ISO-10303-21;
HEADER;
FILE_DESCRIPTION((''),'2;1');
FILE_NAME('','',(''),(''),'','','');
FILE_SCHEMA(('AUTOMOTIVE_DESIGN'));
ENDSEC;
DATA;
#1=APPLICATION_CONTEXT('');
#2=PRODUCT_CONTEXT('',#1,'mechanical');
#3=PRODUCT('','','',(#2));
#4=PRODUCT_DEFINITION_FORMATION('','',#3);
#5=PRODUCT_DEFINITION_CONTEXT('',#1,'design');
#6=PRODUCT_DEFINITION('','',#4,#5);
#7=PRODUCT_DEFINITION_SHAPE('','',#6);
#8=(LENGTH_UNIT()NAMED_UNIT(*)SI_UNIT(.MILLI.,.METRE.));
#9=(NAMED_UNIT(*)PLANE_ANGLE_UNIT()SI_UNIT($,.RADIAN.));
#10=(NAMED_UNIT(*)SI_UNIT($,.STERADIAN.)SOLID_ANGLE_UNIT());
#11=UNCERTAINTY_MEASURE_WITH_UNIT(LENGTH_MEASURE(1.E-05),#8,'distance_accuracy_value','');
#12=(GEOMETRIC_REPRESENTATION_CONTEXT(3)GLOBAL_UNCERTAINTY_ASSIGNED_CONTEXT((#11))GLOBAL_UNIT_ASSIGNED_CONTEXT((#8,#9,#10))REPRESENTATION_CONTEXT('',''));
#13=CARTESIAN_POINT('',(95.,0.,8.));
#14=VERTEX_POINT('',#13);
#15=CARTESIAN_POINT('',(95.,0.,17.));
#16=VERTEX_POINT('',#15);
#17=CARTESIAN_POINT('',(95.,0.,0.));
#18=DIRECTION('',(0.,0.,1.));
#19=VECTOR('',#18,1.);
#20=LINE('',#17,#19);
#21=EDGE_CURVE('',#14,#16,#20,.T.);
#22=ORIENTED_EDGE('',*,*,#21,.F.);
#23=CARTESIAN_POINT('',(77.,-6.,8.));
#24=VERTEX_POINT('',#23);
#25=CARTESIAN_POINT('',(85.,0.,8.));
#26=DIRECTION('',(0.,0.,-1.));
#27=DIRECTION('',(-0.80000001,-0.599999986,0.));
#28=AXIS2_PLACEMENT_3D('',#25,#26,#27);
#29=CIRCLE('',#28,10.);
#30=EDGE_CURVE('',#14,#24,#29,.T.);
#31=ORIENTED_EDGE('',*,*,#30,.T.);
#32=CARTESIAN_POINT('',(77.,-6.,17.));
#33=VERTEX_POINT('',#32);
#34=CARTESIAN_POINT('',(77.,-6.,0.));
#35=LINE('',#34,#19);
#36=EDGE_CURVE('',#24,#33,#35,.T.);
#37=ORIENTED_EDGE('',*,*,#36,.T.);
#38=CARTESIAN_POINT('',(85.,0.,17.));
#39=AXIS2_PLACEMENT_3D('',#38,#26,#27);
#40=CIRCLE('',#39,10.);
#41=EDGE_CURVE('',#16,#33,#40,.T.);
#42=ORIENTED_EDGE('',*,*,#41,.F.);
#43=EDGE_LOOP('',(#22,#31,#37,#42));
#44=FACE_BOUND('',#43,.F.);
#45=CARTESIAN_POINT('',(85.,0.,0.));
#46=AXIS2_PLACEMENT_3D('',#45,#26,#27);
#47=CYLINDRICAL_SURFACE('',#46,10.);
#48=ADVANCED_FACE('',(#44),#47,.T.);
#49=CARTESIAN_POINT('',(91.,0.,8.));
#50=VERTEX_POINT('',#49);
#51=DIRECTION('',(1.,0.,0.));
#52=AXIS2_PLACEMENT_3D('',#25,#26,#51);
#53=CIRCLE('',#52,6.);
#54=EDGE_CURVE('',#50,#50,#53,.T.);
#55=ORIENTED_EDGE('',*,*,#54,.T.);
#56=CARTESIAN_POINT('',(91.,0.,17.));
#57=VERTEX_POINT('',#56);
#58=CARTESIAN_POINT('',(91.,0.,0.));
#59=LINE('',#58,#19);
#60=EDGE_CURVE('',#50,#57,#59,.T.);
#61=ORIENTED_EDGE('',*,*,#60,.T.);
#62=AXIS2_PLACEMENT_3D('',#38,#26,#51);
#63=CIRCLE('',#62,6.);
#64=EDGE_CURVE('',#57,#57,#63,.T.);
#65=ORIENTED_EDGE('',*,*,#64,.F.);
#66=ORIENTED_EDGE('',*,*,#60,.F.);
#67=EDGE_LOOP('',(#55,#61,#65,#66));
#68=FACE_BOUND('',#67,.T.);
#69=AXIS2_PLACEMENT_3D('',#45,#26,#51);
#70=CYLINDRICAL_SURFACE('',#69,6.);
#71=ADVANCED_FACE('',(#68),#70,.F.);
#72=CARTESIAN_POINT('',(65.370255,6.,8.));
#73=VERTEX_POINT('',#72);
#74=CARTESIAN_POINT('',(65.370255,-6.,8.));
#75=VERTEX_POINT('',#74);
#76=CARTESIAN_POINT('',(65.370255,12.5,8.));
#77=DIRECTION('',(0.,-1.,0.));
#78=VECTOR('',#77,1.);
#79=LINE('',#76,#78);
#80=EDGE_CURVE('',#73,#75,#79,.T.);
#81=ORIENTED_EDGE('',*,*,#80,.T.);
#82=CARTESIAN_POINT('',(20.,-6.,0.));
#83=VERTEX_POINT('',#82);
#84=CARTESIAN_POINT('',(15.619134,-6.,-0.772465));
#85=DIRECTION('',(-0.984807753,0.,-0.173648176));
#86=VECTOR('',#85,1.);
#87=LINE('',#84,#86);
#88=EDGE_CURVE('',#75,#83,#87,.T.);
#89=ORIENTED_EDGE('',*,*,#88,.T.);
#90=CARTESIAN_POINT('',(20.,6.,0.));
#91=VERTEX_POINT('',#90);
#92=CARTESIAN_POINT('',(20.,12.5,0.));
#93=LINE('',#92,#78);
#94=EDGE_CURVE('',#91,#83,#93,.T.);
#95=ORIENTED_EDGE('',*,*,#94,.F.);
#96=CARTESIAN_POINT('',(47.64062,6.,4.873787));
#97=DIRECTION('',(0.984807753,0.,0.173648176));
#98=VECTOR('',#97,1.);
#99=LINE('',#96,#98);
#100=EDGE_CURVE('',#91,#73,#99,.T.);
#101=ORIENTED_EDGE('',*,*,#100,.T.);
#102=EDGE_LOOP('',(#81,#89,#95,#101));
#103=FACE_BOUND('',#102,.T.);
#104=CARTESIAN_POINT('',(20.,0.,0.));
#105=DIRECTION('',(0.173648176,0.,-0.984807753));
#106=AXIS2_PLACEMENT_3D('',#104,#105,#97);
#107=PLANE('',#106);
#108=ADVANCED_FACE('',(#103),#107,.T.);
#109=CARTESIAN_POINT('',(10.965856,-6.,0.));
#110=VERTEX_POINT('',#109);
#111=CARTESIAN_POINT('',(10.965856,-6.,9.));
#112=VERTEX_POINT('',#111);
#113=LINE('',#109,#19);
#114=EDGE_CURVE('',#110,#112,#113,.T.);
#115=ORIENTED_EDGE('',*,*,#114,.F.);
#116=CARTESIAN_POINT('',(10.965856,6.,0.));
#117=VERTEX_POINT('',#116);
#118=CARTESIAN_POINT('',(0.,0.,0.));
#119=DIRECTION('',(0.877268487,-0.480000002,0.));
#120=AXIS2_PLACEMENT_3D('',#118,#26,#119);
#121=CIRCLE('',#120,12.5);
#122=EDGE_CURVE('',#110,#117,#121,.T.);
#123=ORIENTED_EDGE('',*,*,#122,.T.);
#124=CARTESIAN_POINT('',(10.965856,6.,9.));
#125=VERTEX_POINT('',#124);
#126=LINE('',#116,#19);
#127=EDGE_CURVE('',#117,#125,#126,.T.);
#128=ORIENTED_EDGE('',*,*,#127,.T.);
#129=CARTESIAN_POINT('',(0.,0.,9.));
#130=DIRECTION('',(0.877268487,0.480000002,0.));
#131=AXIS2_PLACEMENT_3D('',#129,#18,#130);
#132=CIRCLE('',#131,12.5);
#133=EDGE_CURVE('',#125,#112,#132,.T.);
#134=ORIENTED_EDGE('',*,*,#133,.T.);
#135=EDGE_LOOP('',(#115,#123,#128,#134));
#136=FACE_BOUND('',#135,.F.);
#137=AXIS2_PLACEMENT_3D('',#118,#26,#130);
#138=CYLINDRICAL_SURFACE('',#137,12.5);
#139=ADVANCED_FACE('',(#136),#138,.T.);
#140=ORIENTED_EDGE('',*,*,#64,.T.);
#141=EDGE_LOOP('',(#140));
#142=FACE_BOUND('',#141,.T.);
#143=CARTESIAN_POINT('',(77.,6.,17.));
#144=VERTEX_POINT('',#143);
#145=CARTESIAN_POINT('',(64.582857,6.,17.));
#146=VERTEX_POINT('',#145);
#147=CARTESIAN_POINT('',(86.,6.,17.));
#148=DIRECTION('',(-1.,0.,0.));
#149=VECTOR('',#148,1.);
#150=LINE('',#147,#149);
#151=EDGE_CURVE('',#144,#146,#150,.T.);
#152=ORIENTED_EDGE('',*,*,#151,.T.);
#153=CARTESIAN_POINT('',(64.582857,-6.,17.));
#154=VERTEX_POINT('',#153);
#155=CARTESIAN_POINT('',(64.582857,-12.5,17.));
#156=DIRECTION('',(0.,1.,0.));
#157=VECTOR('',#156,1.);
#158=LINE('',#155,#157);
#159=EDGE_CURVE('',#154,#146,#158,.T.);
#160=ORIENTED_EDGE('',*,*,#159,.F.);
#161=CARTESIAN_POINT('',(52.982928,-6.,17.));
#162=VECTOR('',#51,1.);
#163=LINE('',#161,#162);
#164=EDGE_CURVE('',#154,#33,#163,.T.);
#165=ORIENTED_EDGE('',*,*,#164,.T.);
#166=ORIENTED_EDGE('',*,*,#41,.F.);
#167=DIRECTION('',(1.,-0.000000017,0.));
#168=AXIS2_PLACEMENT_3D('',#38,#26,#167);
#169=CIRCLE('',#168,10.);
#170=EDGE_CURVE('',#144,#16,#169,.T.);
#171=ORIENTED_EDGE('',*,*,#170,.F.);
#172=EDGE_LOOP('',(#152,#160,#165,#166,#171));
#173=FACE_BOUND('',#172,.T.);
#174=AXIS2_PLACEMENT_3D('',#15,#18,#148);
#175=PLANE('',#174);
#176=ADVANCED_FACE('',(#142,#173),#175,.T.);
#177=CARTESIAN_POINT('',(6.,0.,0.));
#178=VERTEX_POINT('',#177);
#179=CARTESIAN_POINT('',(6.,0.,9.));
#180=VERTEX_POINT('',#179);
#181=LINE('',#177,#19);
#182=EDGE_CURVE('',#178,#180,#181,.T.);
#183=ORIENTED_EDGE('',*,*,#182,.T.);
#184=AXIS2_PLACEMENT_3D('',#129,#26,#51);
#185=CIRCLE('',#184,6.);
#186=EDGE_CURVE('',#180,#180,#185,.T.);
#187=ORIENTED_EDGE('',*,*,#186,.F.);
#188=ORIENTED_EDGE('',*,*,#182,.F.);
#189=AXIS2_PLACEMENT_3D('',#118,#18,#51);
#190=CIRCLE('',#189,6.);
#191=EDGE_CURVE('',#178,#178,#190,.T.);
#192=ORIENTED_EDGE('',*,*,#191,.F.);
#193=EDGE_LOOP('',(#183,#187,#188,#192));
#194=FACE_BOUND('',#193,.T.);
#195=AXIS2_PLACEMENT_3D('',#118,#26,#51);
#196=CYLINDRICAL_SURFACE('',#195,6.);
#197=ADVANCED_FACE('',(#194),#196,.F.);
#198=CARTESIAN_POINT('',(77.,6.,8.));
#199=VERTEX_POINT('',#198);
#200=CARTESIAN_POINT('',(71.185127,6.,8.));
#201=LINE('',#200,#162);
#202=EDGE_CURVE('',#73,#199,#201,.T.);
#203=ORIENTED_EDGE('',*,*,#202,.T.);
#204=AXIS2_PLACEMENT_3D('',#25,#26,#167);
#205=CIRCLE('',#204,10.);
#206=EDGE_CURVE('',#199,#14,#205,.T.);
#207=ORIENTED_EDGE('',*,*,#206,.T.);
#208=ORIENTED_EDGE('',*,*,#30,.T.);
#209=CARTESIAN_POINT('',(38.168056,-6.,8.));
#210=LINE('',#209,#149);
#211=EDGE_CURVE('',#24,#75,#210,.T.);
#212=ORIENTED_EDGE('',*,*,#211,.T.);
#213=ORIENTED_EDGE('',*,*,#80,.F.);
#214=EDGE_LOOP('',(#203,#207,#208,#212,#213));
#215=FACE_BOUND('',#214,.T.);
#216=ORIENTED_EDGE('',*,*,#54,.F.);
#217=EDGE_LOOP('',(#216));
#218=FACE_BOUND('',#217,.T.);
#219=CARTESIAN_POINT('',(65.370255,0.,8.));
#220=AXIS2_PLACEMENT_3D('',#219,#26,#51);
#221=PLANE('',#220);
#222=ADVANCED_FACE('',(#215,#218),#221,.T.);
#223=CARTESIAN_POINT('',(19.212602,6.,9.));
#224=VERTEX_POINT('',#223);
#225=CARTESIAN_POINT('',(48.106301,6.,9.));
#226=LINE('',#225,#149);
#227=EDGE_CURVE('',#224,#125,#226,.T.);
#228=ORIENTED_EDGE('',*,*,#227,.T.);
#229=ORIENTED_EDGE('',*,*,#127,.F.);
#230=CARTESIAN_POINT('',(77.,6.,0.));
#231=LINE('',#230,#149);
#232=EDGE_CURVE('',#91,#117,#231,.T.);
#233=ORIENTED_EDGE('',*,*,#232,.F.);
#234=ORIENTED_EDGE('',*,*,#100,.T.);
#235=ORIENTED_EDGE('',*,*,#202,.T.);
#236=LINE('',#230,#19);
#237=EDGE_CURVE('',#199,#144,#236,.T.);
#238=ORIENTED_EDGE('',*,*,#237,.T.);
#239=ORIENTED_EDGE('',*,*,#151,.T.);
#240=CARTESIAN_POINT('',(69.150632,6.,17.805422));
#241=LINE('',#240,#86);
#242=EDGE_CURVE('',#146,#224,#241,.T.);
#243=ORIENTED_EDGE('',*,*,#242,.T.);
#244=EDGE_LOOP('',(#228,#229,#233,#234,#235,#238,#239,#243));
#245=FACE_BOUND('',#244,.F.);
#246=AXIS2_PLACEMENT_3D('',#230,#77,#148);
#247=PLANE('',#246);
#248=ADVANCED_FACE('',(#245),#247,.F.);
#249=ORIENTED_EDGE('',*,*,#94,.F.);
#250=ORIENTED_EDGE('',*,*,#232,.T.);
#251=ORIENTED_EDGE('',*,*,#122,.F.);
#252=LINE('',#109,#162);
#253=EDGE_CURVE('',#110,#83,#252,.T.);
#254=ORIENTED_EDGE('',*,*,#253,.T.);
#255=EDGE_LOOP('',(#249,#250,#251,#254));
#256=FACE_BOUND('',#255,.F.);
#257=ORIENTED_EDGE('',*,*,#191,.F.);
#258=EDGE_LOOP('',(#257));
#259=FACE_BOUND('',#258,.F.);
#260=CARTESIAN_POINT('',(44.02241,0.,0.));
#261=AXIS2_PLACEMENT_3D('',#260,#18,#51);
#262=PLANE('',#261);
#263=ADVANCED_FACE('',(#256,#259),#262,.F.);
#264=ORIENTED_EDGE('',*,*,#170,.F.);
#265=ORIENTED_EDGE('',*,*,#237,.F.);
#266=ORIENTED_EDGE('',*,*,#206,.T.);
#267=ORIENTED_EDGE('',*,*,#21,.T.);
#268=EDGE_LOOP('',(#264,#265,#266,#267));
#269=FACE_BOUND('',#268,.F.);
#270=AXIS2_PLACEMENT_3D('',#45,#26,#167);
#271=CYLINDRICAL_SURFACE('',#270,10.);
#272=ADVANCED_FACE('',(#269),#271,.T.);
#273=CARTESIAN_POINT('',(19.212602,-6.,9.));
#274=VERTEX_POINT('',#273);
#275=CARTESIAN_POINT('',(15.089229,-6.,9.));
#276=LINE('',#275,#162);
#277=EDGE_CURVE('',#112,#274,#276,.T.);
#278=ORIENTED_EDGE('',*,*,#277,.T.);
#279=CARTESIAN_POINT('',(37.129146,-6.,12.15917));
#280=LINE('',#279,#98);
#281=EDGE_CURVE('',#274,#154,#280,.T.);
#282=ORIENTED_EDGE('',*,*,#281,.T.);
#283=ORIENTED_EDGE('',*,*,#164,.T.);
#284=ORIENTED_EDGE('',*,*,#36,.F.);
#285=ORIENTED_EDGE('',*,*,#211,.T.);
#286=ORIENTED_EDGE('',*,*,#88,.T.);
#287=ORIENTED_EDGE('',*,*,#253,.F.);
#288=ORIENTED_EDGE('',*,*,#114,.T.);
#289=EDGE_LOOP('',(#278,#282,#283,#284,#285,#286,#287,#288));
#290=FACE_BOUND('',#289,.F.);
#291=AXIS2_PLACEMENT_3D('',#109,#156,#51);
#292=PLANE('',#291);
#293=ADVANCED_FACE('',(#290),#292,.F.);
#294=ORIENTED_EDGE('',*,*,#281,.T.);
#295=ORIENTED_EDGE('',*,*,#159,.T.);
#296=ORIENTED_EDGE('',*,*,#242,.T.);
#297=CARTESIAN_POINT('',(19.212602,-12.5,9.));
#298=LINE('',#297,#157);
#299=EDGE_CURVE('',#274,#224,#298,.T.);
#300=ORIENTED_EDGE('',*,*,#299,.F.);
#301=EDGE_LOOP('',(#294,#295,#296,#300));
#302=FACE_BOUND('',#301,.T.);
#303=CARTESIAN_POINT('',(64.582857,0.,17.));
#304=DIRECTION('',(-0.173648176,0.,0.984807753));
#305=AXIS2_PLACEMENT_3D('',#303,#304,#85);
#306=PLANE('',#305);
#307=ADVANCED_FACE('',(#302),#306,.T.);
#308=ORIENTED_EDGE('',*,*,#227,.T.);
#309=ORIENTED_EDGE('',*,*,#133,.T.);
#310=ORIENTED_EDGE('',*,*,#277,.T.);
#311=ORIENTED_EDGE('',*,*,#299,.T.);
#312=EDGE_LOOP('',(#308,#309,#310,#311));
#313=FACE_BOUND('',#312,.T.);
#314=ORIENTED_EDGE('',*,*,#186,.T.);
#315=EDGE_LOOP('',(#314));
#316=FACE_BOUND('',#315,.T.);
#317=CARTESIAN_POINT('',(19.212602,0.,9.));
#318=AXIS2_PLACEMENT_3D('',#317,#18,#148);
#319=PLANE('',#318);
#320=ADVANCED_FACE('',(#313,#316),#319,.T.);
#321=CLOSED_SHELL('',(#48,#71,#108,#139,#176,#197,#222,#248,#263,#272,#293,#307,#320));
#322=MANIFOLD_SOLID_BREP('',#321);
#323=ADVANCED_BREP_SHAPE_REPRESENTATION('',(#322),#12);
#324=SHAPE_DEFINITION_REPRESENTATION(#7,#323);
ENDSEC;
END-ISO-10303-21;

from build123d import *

# Parameters (mm, degrees)
F0_R     = 6
F1_DEPTH = 25
F3_DEPTH = 12.5


with BuildPart() as f1:
    # F0 (on Top) → F1 (new body)
    with BuildSketch(Plane.XY):
        with BuildLine():
            ThreePointArc((10.965856, 6), (12.110392, 3.096514), (12.5, 0))
            ThreePointArc((12.5, 0), (12.110392, -3.096514), (10.965856, -6))
            Line((10.965856, -6), (77, -6))
            ThreePointArc((77, -6), (75, 0), (77, 6))
            Line((77, 6), (10.965856, 6))
        make_face()
        with BuildLine():
            ThreePointArc((10.965856, -6), (12.110392, -3.096514), (12.5, 0))
            ThreePointArc((12.5, 0), (12.110392, 3.096514), (10.965856, 6))
            ThreePointArc((10.965856, 6), (-12.5, 0), (10.965856, -6))
        make_face()
        Circle(F0_R, mode=Mode.SUBTRACT)
        with BuildLine():
            ThreePointArc((95, 0), (88.162278, 9.486833), (77, 6))
            ThreePointArc((77, 6), (75, 0), (77, -6))
            ThreePointArc((77, -6), (88.162278, -9.486833), (95, 0))
        make_face()
        with Locations((85, 0)):
            Circle(F0_R, mode=Mode.SUBTRACT)
    extrude(amount=F1_DEPTH)

    # F2 (on Front) → F3 (intersect, symmetric)
    with BuildSketch(Plane.XZ):
        Polygon((-12.5, 9), (-12.5, 0), (20, 0), (65.370255, 8), (95, 8), (95, 17), (64.582857, 17), (19.212602, 9), align=None)
    extrude(amount=F3_DEPTH, both=True, mode=Mode.INTERSECT)


solid = f1.part
